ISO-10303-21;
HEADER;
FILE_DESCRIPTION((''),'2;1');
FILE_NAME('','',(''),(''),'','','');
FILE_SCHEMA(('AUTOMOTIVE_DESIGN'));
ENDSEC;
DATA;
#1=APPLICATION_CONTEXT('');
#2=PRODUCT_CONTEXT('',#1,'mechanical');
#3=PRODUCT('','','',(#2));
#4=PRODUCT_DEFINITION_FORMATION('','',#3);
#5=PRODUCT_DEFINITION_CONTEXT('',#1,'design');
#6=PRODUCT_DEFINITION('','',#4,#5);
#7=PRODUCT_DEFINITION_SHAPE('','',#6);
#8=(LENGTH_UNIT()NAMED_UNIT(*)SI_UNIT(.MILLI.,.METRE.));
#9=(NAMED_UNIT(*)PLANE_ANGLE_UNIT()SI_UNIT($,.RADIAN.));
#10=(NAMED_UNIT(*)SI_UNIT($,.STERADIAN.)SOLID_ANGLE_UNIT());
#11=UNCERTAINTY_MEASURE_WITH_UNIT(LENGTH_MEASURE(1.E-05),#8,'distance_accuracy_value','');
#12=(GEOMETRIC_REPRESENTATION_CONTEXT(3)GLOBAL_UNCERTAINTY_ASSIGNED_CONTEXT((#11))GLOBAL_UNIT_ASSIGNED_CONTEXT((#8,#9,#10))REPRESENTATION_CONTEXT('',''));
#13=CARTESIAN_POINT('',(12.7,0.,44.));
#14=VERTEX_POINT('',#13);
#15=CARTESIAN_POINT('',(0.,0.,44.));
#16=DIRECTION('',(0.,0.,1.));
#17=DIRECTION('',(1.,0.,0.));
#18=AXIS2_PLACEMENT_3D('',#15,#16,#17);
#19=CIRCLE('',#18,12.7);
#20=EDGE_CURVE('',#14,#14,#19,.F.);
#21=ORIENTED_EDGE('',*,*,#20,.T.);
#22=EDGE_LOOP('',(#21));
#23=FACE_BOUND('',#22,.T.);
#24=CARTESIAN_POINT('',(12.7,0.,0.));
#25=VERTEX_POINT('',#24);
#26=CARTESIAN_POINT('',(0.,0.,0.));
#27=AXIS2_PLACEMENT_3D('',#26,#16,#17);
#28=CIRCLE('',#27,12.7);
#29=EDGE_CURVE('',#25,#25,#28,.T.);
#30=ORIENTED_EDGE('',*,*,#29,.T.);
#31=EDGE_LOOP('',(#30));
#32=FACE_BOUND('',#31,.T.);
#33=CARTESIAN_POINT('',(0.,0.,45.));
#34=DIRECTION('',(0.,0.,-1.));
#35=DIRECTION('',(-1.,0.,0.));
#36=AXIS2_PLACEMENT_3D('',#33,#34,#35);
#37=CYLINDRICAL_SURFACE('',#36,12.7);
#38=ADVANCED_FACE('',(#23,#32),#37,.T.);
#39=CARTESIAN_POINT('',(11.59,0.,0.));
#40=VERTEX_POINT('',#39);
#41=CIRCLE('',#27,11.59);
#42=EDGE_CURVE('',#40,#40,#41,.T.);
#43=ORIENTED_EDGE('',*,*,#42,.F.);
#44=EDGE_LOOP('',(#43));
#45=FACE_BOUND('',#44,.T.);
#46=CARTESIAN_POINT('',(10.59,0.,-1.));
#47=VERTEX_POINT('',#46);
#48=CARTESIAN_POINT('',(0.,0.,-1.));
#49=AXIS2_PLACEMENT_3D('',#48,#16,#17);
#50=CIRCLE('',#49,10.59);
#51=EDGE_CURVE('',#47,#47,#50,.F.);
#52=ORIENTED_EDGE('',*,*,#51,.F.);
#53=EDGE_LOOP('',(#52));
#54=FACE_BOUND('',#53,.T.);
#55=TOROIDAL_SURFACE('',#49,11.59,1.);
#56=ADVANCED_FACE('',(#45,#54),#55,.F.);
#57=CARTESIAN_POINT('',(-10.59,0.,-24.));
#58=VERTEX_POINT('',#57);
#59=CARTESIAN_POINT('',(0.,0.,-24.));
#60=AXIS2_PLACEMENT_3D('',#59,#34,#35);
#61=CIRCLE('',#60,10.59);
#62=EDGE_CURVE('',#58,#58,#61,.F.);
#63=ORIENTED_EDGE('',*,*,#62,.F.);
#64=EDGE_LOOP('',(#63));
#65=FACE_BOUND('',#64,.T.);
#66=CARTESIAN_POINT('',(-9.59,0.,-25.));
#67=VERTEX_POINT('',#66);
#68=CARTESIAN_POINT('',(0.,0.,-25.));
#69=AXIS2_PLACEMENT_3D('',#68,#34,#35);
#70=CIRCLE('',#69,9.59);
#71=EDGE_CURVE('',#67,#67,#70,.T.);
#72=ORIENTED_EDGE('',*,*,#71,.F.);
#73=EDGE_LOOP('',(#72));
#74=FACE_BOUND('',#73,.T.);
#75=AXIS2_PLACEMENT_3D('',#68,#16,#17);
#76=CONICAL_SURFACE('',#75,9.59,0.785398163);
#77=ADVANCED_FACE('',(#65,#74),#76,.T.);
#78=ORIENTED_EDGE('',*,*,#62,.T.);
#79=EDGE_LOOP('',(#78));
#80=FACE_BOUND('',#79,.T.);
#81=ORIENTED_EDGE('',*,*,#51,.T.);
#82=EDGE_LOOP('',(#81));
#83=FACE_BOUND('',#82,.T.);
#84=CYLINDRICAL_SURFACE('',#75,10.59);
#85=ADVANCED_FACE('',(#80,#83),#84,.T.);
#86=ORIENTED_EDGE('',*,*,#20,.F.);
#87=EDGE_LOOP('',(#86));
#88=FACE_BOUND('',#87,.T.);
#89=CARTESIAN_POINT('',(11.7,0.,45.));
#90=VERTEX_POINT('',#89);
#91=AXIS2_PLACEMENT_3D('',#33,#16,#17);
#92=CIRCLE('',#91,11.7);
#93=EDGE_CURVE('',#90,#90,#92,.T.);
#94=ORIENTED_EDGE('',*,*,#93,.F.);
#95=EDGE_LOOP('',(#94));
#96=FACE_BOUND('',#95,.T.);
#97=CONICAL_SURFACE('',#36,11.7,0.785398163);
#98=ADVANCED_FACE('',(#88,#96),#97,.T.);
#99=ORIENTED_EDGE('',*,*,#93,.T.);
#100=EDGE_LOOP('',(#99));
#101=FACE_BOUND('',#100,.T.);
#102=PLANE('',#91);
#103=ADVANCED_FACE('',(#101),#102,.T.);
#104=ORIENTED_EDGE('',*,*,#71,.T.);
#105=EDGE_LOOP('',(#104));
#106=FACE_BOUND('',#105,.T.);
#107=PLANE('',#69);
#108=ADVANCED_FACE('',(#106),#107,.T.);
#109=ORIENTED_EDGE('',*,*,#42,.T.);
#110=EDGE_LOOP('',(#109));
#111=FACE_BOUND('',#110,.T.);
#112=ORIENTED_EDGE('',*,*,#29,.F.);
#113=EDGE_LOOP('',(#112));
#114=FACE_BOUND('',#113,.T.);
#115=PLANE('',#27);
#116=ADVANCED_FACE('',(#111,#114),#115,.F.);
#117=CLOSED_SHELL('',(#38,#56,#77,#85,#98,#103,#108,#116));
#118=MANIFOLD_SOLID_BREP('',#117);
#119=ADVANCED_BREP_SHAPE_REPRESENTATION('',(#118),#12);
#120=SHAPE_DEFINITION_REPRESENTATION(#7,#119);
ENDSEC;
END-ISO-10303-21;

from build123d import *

# Parameters (mm, degrees)
SKETCH1_R           = 12.7
BOSS_EXTRUDE1_DEPTH = 45
SKETCH2_R           = 10.59
BOSS_EXTRUDE2_DEPTH = 25
FILLET1_R           = 1
CHAMFER2_SIZE       = 1
CHAMFER3_SIZE       = 1


with BuildPart() as part:
    # Sketch1 → Boss-Extrude1 (new body)
    with BuildSketch(Plane.XY):
        Circle(SKETCH1_R)
    extrude(amount=BOSS_EXTRUDE1_DEPTH)

    # Sketch2 → Boss-Extrude2 (add)
    with BuildSketch(Plane(origin=(0, 0, 0), x_dir=(-1, 0, 0), z_dir=(0, 0, -1))):
        Circle(SKETCH2_R)
    extrude(amount=BOSS_EXTRUDE2_DEPTH)

    # Fillet1
    fillet1_edges = [part.edges().sort_by_distance(p)[0] for p in [
        (10.59, 0, 0),
    ]]
    fillet(fillet1_edges, radius=FILLET1_R)

    # Chamfer2
    chamfer2_edges = [part.edges().sort_by_distance(p)[0] for p in [
        (10.59, 0, -25),
    ]]
    chamfer(chamfer2_edges, length=CHAMFER2_SIZE)

    # Chamfer3
    chamfer3_edges = [part.edges().sort_by_distance(p)[0] for p in [
        (-12.7, 0, 45),
    ]]
    chamfer(chamfer3_edges, length=CHAMFER3_SIZE)


solid = part.part
